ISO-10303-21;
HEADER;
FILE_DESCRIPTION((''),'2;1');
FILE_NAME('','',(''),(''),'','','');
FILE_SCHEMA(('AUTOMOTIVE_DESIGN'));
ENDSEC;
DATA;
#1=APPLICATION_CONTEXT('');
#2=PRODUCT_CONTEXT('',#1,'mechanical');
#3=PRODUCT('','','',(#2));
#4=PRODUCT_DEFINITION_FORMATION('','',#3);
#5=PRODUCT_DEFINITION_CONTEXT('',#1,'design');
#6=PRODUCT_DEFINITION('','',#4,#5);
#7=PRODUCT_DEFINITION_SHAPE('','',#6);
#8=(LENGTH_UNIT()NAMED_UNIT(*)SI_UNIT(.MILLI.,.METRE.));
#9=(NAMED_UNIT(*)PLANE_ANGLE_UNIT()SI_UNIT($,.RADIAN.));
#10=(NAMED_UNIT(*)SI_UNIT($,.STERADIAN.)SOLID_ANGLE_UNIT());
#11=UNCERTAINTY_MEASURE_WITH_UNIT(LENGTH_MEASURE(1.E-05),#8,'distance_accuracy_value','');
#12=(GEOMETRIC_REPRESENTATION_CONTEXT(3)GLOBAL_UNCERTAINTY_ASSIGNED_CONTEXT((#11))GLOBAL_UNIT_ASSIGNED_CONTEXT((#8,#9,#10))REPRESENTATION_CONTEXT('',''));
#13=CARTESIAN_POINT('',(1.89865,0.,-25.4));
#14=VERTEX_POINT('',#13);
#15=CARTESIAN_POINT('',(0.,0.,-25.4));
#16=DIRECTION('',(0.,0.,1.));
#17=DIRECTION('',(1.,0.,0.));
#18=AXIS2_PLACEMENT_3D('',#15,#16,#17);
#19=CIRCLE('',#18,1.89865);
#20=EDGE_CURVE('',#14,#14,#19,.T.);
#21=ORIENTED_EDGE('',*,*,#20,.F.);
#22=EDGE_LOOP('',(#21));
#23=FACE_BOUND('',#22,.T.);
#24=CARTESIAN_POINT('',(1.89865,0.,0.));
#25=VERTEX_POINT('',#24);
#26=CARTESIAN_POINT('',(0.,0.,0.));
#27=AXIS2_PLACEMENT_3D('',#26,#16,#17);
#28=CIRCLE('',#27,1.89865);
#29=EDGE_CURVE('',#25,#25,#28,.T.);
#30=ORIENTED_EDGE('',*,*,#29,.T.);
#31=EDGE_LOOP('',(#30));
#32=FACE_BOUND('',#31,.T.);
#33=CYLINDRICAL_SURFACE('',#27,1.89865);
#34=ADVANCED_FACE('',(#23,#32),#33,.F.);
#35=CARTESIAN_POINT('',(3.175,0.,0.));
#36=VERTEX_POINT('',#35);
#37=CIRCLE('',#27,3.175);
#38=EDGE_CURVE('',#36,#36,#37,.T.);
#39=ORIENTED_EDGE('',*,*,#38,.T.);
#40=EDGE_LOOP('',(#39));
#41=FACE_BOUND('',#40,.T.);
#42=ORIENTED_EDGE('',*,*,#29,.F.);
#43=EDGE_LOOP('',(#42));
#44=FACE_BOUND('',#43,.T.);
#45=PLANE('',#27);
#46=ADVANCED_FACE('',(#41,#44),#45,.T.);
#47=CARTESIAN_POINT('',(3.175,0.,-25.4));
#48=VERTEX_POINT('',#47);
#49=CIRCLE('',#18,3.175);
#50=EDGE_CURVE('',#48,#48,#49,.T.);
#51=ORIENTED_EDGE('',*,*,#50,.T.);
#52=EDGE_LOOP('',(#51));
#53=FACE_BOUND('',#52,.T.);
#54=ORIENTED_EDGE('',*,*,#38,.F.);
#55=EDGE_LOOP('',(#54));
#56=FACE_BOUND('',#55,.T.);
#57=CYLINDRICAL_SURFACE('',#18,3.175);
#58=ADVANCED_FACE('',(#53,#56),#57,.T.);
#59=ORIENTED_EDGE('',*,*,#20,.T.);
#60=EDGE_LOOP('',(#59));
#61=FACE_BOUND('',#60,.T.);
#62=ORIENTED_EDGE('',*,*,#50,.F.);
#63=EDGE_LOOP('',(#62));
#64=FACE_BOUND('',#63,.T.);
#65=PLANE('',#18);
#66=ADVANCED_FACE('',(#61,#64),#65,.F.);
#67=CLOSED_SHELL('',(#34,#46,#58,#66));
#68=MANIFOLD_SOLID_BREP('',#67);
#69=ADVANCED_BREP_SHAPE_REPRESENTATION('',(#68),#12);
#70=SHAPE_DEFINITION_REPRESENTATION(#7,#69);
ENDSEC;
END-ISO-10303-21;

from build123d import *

# Parameters (mm, degrees)
SKETCH1_R             = 3.175
BODY_DEPTH            = 25.4
F_6_CLEARANCE_HOLE1_D = 3.7973


with BuildPart() as part:
    # Sketch1 → Body (new body)
    with BuildSketch(Plane.XY):
        Circle(SKETCH1_R)
    extrude(amount=-BODY_DEPTH)

    # #6 Clearance Hole1 (through all)
    with Locations(Plane.XY):
        with Locations((0, 0)):
            Hole(F_6_CLEARANCE_HOLE1_D / 2)


solid = part.part
